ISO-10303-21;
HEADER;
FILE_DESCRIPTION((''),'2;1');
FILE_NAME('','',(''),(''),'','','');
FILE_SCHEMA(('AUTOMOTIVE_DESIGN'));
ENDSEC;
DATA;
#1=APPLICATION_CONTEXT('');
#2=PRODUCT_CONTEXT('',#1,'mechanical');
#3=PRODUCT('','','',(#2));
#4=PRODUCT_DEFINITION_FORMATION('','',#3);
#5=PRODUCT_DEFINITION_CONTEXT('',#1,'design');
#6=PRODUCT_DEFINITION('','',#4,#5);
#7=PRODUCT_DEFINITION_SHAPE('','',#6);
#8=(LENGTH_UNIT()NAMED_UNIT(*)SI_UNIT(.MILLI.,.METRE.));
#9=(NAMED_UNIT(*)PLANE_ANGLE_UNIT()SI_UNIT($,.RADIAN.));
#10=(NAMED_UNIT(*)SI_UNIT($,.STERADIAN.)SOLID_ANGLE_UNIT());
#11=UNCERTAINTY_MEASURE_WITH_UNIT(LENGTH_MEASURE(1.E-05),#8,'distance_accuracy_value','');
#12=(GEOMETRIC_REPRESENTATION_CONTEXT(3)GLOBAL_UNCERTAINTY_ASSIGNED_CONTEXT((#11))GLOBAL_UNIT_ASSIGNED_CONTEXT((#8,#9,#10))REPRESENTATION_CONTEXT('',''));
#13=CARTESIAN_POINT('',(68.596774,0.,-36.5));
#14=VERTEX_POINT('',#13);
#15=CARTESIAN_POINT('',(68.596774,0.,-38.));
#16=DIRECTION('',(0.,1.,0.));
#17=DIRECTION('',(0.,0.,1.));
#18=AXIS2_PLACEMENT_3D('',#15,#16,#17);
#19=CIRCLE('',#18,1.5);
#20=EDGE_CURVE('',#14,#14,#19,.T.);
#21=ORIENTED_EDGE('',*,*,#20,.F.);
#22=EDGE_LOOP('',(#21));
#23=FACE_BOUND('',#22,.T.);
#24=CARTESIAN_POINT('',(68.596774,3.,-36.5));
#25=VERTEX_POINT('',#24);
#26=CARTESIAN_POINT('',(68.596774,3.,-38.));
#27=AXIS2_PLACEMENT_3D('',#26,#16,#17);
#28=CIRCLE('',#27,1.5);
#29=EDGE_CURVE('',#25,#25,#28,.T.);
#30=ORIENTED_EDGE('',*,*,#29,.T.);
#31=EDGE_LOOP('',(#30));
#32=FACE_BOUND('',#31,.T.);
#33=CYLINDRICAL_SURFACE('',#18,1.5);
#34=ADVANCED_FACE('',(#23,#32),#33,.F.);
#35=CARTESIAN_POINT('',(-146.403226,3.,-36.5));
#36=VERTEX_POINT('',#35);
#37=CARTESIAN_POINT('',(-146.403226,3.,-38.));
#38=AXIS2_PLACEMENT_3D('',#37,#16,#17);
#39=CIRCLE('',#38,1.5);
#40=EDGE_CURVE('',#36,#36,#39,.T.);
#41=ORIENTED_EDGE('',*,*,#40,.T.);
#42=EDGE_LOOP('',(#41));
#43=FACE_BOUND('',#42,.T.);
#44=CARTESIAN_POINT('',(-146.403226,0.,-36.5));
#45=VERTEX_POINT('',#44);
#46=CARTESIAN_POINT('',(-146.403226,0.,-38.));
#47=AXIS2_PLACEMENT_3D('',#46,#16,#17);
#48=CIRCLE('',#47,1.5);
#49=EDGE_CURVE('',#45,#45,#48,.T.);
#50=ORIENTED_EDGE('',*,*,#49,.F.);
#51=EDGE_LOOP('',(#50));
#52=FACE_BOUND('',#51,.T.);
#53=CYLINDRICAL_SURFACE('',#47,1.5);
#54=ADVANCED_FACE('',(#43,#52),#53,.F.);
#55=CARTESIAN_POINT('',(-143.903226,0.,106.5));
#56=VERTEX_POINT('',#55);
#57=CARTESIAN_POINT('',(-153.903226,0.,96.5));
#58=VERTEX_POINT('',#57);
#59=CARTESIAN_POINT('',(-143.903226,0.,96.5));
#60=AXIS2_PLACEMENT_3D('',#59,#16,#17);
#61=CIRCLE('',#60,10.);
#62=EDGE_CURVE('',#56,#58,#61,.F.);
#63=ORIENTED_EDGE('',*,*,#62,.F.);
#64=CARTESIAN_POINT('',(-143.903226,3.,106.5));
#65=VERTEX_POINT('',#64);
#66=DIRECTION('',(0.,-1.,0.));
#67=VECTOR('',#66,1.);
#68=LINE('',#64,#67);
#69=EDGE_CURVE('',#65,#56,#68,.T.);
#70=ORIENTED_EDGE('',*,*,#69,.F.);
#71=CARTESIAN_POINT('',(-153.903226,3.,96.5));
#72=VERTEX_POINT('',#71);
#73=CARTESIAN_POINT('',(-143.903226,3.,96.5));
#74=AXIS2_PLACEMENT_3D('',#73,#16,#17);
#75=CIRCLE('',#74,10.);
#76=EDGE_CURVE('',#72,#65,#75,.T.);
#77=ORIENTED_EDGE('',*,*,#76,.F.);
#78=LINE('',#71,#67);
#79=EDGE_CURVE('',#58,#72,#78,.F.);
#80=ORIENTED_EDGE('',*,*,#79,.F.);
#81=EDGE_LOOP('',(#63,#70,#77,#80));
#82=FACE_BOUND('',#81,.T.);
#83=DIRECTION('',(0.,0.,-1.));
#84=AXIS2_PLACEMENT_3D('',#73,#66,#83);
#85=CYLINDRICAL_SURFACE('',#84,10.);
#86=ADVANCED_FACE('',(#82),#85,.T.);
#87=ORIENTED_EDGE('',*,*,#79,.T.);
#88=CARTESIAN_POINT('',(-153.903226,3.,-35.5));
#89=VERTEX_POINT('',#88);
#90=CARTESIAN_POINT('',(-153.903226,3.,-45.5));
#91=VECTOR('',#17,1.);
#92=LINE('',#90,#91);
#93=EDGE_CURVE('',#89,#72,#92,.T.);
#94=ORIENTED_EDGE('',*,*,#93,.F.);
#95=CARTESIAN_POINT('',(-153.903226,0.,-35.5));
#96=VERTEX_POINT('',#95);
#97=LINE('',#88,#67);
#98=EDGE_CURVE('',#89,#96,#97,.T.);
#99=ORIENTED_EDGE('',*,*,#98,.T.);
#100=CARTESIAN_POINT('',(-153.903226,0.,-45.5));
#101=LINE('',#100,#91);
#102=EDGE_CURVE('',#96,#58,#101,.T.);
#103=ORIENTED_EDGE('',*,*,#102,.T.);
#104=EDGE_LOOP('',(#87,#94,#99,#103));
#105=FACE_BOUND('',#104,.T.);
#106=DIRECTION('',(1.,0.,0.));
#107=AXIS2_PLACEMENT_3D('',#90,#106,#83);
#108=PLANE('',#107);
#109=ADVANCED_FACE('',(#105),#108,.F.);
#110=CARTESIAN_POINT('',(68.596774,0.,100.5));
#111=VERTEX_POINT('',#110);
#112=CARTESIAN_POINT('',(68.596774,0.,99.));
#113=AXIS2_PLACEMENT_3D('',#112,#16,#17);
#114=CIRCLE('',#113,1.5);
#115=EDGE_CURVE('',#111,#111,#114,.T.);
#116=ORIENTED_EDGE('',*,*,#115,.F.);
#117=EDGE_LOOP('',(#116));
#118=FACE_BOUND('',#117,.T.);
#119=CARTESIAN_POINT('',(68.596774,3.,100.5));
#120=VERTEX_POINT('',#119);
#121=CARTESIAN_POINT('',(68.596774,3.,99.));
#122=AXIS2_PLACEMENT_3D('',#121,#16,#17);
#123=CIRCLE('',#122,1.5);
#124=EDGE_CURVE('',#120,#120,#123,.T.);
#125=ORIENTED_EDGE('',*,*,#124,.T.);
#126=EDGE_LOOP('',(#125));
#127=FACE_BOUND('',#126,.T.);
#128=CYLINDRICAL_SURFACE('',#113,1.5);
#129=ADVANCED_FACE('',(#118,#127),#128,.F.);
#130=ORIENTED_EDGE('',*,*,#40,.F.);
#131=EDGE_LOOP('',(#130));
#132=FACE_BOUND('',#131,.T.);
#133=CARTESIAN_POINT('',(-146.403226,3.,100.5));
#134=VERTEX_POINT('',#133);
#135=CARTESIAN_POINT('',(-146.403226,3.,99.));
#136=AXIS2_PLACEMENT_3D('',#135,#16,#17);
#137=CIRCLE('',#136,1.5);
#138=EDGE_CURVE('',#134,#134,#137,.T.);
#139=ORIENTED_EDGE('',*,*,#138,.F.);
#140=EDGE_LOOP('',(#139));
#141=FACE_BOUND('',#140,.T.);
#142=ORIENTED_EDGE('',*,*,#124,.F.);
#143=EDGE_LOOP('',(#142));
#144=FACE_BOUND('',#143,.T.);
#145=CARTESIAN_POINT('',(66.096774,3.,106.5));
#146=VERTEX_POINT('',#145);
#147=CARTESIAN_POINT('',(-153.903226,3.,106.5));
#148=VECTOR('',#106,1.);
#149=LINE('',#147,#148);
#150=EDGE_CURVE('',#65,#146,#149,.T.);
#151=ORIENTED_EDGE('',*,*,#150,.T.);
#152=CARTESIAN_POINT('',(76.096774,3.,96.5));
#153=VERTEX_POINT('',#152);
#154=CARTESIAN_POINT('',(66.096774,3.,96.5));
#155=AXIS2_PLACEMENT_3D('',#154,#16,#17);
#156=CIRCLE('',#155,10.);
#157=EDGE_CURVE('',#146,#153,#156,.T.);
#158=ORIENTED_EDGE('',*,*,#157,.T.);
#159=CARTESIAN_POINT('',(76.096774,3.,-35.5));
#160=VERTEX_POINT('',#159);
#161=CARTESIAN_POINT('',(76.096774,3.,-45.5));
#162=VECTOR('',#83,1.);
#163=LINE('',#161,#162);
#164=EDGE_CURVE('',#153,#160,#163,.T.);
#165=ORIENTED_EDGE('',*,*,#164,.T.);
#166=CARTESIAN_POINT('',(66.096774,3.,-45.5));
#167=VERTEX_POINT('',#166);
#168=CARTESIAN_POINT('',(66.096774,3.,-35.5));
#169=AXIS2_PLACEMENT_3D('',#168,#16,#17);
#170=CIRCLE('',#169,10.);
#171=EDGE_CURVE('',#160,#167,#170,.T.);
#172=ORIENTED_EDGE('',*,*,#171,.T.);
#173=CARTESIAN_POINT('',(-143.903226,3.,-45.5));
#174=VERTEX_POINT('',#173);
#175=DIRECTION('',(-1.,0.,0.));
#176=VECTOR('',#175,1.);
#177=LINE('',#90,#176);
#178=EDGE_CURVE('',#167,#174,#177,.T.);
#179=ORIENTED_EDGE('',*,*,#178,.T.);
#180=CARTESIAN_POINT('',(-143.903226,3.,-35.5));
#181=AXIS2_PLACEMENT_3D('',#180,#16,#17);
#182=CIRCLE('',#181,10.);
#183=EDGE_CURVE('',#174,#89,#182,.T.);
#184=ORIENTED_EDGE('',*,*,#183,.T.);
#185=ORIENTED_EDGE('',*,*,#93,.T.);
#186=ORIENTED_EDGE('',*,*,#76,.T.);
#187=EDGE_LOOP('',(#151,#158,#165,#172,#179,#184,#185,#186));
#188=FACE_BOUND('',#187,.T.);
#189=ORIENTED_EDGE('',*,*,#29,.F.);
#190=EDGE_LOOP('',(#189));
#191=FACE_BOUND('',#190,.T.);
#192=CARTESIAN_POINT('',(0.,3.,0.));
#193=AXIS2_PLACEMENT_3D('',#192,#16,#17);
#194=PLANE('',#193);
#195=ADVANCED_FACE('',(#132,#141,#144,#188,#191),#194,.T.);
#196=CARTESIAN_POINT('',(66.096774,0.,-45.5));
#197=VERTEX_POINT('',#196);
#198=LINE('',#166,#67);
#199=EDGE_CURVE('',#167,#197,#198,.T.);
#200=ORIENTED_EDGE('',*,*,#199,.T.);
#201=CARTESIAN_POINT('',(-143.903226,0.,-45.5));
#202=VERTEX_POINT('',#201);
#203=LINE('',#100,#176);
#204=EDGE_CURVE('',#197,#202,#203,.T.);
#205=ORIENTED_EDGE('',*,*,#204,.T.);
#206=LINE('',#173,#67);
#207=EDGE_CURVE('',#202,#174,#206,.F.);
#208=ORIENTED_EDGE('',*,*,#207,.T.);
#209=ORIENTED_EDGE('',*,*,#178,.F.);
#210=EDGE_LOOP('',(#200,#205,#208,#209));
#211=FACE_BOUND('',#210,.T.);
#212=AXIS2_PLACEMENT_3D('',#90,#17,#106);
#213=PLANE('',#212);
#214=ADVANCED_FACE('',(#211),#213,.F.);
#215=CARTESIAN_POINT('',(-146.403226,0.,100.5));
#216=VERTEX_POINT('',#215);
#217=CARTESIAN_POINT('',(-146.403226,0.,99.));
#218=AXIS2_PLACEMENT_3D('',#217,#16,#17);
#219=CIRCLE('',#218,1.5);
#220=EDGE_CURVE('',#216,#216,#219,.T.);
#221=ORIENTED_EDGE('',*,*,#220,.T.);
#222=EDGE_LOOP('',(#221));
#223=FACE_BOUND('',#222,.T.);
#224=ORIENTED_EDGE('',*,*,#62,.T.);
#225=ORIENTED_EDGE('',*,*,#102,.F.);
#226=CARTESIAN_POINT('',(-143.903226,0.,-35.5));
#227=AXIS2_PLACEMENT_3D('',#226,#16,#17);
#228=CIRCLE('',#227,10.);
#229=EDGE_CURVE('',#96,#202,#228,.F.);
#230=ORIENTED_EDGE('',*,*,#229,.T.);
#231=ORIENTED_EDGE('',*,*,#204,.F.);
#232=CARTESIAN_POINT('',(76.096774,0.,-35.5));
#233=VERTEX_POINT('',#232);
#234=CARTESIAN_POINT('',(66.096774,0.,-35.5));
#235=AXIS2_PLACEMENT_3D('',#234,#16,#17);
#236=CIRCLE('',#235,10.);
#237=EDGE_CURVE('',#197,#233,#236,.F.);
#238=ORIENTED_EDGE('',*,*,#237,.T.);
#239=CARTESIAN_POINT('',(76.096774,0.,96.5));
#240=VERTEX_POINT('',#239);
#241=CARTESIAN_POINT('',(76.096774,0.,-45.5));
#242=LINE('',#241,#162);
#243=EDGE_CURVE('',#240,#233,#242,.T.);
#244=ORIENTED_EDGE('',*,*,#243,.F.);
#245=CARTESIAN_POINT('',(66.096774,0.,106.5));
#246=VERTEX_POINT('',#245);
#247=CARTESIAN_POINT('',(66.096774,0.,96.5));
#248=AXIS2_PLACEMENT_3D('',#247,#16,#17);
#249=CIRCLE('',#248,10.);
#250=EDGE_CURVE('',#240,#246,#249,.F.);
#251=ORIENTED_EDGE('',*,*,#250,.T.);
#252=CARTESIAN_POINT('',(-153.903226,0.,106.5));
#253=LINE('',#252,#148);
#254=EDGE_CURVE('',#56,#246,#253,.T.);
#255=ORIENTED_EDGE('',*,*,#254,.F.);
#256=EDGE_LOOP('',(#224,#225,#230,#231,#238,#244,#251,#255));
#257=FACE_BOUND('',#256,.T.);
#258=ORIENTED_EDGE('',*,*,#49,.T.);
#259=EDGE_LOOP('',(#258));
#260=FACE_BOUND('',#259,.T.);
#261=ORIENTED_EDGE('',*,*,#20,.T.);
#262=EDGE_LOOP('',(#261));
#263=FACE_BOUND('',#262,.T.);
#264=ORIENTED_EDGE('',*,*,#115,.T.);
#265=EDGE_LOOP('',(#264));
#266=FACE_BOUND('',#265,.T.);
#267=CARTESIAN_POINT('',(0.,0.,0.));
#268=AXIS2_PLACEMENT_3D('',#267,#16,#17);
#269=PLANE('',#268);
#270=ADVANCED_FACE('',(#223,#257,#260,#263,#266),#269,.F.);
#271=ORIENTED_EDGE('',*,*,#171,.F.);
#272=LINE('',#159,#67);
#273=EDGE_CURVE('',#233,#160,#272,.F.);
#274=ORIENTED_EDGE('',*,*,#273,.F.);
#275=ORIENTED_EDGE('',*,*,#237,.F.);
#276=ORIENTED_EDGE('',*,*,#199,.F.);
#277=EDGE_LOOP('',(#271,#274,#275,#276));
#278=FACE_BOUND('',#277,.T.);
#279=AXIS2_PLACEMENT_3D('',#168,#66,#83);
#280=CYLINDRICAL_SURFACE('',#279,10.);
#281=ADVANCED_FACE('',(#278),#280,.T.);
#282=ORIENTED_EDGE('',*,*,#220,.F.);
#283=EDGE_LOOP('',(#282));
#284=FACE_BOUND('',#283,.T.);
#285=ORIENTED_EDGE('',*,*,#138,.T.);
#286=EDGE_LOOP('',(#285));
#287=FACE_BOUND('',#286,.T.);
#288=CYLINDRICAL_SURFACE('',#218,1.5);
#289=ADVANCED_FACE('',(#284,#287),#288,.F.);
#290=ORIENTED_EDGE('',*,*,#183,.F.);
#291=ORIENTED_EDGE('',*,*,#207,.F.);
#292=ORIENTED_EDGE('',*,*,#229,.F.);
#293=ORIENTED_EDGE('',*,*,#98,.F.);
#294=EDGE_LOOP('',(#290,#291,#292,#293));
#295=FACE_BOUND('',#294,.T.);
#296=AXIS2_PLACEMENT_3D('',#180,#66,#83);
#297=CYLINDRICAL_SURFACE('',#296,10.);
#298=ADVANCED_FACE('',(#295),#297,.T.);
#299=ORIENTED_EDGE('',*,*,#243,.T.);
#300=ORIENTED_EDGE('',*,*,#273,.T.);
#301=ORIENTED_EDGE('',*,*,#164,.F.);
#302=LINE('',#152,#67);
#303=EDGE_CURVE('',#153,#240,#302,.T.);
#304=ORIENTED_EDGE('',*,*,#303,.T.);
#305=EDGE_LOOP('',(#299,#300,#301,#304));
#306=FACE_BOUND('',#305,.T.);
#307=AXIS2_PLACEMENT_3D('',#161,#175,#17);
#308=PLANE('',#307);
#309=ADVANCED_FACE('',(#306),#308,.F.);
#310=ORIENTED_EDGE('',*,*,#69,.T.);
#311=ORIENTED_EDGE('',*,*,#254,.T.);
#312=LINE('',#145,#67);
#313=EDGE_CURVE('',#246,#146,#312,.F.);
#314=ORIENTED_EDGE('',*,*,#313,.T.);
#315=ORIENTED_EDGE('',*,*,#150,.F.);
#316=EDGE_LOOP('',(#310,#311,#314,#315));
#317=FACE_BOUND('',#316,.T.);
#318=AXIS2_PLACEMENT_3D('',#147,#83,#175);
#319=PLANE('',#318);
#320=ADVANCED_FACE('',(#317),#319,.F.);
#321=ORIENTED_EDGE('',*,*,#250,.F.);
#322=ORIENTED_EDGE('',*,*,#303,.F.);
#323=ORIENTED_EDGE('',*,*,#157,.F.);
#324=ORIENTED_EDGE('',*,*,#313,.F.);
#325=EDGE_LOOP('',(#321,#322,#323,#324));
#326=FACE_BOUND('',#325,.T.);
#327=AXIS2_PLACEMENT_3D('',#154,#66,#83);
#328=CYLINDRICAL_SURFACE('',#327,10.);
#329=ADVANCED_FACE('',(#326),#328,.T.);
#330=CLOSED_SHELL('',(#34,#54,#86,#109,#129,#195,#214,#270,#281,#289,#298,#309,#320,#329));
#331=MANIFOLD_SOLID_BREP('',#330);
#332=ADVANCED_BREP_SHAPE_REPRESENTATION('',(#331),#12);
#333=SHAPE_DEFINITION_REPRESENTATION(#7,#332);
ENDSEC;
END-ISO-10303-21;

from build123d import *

# Parameters (mm, degrees)
SKETCH_1_W          = 230
SKETCH_1_H          = 152
EXTRUDE_1_DEPTH     = 3
SKETCH_2_R          = 1.5
CUT_EXTRUDE_1_DEPTH = 3
FILLET_1_R          = 10


with BuildPart() as part:
    # Эскиз1 → Бобышка-Вытянуть1 (new body)
    with BuildSketch(Plane(origin=(0, 0, 0), x_dir=(1, 0, 0), z_dir=(0, 1, 0))):
        with Locations((-38.903225806, -30.5)):
            Rectangle(SKETCH_1_W, SKETCH_1_H)
    extrude(amount=EXTRUDE_1_DEPTH)

    # Эскиз2 → Вырез-Вытянуть1 (cut)
    with BuildSketch(Plane(origin=(0, 3, 0), x_dir=(1, 0, 0), z_dir=(0, 1, 0))):
        with Locations(Location((-146.403225806, 38, 0), (0, 0, 270))):
            Circle(SKETCH_2_R)
        with Locations(Location((68.596774194, 38, 0), (0, 0, 270))):
            Circle(SKETCH_2_R)
        with Locations(Location((68.596774194, -99, 0), (0, 0, 270))):
            Circle(SKETCH_2_R)
        with Locations(Location((-146.403225806, -99, 0), (0, 0, 270))):
            Circle(SKETCH_2_R)
    extrude(amount=-CUT_EXTRUDE_1_DEPTH, mode=Mode.SUBTRACT)

    # Скругление1
    fillet_1_edges = [part.edges().sort_by_distance(p)[0] for p in [
        (-153.903225806, 1.5, -45.5),
        (76.096774194, 1.5, -45.5),
        (76.096774194, 1.5, 106.5),
        (-153.903225806, 1.5, 106.5),
    ]]
    fillet(fillet_1_edges, radius=FILLET_1_R)


solid = part.part
